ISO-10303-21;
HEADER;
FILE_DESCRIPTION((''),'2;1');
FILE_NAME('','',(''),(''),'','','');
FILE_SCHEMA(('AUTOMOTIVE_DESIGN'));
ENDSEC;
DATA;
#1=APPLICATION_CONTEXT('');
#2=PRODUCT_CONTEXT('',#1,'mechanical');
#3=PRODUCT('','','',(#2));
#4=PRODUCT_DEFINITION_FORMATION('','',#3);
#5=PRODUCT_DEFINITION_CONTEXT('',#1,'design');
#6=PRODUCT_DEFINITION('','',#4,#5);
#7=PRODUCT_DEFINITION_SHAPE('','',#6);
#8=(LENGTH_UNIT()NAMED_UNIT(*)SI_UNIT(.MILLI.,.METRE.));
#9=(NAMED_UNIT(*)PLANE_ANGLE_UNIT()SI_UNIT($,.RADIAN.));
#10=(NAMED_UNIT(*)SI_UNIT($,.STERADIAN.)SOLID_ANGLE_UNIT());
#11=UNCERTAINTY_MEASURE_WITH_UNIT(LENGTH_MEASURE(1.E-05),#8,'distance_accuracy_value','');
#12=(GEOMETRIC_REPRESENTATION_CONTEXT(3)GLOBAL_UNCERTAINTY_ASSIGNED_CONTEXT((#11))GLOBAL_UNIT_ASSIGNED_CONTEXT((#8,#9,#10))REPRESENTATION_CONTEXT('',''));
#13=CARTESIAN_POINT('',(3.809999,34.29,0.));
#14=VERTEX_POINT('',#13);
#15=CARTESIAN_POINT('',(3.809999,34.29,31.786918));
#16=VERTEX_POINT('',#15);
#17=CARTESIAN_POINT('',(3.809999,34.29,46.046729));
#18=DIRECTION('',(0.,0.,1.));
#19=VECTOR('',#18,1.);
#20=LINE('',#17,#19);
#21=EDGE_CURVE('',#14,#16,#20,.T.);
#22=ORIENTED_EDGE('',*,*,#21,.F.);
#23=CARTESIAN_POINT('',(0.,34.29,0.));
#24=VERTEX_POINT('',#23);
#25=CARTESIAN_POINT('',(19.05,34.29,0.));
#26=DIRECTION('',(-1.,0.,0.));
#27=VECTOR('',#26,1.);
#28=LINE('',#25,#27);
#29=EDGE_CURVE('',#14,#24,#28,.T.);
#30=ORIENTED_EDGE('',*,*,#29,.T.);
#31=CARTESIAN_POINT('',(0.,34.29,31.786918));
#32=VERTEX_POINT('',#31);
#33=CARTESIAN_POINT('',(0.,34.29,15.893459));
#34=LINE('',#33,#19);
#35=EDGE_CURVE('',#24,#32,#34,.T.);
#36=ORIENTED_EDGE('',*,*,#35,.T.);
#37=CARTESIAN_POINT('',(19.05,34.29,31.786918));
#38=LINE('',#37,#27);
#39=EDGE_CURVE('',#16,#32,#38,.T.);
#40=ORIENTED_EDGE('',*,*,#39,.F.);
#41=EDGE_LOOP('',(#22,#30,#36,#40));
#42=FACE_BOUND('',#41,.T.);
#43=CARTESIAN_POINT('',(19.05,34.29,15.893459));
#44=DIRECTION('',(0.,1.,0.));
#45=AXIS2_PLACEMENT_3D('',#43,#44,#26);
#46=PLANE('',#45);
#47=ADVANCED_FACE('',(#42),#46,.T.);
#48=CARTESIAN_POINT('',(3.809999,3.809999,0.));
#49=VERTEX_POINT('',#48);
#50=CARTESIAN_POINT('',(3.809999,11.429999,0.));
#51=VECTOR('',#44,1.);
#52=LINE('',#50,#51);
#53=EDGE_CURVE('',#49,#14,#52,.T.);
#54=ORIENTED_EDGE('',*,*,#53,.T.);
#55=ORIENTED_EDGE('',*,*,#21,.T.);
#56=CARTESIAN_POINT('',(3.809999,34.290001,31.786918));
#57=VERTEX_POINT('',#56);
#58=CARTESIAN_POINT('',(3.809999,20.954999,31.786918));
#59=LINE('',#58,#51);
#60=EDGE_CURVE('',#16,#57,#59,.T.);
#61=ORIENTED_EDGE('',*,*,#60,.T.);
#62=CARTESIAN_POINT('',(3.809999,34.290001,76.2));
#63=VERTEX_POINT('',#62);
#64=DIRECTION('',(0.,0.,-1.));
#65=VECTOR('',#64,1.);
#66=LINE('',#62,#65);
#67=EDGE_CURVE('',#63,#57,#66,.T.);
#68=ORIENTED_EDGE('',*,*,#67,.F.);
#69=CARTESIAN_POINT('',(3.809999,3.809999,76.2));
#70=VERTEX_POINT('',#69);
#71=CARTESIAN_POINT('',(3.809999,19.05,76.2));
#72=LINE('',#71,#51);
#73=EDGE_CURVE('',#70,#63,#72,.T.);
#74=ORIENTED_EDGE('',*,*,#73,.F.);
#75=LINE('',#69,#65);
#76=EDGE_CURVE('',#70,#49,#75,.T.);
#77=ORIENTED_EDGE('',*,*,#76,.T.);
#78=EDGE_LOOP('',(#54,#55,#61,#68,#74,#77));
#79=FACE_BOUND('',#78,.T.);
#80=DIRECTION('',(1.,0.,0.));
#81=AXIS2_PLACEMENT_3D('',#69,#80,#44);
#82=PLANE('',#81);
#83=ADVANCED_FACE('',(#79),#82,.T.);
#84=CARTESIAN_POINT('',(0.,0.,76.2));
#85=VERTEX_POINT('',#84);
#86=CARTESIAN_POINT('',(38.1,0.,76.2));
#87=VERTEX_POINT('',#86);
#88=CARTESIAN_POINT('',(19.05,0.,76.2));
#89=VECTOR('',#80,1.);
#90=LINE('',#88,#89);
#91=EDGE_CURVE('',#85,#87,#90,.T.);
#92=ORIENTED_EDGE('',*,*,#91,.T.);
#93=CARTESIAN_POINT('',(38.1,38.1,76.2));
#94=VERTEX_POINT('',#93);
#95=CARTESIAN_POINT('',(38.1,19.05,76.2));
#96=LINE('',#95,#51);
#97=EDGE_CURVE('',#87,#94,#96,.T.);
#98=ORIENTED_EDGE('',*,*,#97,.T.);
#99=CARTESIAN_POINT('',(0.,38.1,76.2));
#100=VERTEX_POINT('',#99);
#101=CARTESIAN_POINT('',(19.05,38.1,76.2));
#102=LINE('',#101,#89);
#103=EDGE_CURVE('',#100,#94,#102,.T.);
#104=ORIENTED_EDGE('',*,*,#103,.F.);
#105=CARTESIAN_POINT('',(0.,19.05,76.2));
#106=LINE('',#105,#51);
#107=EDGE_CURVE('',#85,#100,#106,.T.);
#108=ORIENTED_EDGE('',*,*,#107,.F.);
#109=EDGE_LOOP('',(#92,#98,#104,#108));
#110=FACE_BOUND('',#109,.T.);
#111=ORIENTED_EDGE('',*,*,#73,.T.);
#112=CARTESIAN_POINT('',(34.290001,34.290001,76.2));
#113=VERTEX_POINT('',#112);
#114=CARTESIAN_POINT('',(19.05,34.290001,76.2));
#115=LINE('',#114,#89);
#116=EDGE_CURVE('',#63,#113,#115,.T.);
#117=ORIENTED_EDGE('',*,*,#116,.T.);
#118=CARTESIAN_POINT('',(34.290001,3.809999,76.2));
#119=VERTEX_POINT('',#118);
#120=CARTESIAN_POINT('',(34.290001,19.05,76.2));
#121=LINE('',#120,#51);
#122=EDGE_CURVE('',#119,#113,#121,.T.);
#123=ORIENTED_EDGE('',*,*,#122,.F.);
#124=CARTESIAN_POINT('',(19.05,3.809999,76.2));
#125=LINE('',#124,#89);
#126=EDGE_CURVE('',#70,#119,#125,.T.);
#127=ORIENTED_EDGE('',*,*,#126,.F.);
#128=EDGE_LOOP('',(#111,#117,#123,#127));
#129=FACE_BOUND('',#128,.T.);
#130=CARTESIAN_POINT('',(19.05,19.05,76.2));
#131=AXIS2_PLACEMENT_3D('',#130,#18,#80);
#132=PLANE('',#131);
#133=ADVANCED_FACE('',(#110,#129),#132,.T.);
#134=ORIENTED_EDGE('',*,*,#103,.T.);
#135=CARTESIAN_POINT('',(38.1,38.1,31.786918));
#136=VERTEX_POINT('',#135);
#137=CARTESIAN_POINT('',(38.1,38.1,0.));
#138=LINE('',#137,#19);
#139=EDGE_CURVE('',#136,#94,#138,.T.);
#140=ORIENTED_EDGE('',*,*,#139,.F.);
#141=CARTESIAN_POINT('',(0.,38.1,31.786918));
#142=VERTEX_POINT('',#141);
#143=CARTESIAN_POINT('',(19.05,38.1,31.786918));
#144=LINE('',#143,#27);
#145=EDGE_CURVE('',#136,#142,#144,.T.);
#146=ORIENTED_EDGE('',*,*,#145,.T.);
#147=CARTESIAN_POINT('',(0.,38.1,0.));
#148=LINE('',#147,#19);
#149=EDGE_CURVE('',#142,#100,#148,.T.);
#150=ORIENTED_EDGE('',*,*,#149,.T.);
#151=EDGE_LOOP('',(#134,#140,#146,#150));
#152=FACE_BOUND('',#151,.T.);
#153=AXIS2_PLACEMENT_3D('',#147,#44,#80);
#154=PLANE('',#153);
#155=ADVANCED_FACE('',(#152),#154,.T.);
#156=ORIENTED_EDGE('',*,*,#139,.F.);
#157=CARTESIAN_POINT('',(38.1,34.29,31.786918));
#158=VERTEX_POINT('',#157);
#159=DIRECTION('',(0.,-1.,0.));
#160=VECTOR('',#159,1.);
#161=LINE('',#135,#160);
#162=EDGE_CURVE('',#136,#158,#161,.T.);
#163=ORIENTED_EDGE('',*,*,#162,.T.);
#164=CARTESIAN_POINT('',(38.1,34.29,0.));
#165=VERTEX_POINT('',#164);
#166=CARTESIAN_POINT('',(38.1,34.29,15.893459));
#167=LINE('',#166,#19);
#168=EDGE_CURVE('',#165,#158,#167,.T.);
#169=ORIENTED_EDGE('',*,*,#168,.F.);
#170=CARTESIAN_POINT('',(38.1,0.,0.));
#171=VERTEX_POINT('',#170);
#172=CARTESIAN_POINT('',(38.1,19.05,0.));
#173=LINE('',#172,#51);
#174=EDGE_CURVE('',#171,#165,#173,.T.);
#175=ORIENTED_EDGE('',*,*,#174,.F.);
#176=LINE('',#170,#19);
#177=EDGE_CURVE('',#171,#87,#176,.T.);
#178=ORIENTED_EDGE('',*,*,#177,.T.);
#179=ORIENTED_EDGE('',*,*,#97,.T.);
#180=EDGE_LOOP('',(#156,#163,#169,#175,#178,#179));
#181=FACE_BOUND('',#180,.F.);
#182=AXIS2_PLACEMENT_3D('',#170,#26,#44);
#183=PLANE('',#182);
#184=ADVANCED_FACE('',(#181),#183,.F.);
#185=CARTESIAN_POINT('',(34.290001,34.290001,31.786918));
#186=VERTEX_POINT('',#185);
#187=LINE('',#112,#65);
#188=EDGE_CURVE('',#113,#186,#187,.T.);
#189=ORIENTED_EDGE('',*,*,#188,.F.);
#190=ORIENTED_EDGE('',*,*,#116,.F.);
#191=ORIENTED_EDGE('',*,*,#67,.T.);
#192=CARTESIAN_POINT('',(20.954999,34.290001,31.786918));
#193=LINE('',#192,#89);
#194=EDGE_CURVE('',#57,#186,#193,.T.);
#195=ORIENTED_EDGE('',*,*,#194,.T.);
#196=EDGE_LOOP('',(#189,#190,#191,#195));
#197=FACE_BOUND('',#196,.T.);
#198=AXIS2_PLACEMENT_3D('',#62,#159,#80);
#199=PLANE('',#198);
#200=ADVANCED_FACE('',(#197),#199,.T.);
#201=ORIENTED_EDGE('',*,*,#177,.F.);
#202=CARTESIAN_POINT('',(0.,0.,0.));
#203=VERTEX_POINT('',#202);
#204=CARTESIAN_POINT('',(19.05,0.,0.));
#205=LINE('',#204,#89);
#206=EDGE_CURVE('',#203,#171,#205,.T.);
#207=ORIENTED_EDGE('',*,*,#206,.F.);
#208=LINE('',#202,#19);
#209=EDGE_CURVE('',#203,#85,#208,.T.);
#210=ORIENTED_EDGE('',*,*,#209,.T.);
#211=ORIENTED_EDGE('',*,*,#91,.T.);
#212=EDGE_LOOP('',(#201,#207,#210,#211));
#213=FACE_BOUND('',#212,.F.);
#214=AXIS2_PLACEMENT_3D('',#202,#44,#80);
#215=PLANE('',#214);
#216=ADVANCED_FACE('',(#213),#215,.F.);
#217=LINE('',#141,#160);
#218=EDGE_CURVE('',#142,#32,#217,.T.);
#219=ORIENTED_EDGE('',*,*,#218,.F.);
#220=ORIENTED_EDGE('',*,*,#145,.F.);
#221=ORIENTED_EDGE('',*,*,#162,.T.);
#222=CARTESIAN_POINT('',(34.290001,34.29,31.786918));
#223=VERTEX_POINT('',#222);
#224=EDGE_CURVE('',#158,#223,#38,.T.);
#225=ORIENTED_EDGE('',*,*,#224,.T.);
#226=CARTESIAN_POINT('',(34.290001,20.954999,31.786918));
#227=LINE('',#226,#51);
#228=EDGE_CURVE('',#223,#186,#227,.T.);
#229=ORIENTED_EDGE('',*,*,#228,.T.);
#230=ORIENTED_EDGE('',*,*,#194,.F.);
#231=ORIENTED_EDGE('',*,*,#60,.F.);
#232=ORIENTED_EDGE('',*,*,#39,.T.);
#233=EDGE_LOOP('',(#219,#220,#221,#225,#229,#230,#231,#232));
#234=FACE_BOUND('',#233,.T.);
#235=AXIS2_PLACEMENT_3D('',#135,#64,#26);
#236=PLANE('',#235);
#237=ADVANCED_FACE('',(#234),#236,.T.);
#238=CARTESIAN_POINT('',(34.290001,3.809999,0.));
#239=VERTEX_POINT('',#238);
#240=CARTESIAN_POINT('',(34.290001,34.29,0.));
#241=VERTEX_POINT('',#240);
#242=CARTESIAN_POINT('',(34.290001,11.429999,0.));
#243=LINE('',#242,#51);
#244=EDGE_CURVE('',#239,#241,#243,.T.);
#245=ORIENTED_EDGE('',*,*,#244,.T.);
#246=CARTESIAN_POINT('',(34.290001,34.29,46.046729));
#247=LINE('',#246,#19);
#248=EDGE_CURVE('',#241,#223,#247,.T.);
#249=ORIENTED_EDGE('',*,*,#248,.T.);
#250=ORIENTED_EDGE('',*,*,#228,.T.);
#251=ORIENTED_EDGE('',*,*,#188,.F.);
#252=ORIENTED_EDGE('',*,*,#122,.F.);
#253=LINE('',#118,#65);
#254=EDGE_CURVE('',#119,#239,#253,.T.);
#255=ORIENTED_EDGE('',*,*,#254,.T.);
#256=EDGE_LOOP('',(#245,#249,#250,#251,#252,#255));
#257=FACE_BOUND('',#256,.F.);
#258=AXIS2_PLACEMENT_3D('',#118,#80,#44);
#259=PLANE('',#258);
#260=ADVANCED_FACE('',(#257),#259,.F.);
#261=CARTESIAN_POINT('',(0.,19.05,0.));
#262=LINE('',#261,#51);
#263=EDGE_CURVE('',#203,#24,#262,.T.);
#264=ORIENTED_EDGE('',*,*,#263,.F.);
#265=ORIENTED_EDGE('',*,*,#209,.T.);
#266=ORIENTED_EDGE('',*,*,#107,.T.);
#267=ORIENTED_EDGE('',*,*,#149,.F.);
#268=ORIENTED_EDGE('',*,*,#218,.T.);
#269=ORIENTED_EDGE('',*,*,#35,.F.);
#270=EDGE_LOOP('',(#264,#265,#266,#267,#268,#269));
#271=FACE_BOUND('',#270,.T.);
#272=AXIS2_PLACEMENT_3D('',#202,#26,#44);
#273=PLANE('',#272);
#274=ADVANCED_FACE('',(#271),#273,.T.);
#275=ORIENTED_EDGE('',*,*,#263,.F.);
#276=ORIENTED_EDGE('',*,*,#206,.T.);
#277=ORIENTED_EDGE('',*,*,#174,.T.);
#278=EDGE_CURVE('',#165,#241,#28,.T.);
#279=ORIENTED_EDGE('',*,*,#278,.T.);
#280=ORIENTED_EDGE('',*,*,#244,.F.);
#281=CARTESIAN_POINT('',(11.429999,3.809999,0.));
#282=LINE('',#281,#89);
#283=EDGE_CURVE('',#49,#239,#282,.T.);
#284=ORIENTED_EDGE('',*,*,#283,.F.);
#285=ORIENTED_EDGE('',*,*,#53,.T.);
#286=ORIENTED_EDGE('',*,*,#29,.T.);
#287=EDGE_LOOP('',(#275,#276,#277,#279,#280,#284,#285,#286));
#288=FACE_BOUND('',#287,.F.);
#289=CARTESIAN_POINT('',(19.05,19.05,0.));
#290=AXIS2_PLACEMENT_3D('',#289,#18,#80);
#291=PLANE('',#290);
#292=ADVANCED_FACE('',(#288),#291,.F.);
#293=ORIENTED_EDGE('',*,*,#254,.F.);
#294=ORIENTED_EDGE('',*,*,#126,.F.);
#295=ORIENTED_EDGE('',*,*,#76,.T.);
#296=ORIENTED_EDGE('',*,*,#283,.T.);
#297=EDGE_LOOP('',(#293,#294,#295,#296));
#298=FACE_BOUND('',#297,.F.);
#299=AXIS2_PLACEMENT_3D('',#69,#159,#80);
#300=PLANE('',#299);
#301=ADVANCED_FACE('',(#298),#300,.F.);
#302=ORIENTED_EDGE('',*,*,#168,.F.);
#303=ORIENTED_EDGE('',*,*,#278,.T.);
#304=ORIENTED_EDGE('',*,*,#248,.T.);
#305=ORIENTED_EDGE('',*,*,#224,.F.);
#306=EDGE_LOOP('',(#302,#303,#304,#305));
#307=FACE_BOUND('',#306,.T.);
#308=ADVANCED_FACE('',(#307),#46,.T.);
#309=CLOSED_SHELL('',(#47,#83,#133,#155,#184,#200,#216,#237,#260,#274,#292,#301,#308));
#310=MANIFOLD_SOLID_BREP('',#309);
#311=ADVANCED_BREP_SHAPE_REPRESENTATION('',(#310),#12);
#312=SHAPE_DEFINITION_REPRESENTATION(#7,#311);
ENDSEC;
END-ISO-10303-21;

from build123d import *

# Parameters (mm, degrees)
F0_W     = 38.1
F0_H     = 38.1
F1_DEPTH = 76.2
F2_W     = 30.480002
F2_H     = 30.480002
F3_DEPTH = 88.9
F4_W     = 38.1
F4_H     = 31.786919
F5_DEPTH = 3.81


with BuildPart() as f1:
    # F0 (on Top) → F1 (new body)
    with BuildSketch(Plane.XY):
        with Locations((19.05, 19.05)):
            Rectangle(F0_W, F0_H)
    extrude(amount=F1_DEPTH)

    # F2 (on face) → F3 (cut)
    with BuildSketch(Plane.XY.offset(76.2)):
        with Locations((19.05, 19.05)):
            Rectangle(F2_W, F2_H)
    extrude(amount=-F3_DEPTH, mode=Mode.SUBTRACT)

    # F4 (on face) → F5 (cut)
    with BuildSketch(Plane(origin=(0, 38.1, 0), x_dir=(-1, 0, 0), z_dir=(0, 1, 0))):
        with Locations((-19.05, 15.893459)):
            Rectangle(F4_W, F4_H)
    extrude(amount=-F5_DEPTH, mode=Mode.SUBTRACT)


solid = f1.part
